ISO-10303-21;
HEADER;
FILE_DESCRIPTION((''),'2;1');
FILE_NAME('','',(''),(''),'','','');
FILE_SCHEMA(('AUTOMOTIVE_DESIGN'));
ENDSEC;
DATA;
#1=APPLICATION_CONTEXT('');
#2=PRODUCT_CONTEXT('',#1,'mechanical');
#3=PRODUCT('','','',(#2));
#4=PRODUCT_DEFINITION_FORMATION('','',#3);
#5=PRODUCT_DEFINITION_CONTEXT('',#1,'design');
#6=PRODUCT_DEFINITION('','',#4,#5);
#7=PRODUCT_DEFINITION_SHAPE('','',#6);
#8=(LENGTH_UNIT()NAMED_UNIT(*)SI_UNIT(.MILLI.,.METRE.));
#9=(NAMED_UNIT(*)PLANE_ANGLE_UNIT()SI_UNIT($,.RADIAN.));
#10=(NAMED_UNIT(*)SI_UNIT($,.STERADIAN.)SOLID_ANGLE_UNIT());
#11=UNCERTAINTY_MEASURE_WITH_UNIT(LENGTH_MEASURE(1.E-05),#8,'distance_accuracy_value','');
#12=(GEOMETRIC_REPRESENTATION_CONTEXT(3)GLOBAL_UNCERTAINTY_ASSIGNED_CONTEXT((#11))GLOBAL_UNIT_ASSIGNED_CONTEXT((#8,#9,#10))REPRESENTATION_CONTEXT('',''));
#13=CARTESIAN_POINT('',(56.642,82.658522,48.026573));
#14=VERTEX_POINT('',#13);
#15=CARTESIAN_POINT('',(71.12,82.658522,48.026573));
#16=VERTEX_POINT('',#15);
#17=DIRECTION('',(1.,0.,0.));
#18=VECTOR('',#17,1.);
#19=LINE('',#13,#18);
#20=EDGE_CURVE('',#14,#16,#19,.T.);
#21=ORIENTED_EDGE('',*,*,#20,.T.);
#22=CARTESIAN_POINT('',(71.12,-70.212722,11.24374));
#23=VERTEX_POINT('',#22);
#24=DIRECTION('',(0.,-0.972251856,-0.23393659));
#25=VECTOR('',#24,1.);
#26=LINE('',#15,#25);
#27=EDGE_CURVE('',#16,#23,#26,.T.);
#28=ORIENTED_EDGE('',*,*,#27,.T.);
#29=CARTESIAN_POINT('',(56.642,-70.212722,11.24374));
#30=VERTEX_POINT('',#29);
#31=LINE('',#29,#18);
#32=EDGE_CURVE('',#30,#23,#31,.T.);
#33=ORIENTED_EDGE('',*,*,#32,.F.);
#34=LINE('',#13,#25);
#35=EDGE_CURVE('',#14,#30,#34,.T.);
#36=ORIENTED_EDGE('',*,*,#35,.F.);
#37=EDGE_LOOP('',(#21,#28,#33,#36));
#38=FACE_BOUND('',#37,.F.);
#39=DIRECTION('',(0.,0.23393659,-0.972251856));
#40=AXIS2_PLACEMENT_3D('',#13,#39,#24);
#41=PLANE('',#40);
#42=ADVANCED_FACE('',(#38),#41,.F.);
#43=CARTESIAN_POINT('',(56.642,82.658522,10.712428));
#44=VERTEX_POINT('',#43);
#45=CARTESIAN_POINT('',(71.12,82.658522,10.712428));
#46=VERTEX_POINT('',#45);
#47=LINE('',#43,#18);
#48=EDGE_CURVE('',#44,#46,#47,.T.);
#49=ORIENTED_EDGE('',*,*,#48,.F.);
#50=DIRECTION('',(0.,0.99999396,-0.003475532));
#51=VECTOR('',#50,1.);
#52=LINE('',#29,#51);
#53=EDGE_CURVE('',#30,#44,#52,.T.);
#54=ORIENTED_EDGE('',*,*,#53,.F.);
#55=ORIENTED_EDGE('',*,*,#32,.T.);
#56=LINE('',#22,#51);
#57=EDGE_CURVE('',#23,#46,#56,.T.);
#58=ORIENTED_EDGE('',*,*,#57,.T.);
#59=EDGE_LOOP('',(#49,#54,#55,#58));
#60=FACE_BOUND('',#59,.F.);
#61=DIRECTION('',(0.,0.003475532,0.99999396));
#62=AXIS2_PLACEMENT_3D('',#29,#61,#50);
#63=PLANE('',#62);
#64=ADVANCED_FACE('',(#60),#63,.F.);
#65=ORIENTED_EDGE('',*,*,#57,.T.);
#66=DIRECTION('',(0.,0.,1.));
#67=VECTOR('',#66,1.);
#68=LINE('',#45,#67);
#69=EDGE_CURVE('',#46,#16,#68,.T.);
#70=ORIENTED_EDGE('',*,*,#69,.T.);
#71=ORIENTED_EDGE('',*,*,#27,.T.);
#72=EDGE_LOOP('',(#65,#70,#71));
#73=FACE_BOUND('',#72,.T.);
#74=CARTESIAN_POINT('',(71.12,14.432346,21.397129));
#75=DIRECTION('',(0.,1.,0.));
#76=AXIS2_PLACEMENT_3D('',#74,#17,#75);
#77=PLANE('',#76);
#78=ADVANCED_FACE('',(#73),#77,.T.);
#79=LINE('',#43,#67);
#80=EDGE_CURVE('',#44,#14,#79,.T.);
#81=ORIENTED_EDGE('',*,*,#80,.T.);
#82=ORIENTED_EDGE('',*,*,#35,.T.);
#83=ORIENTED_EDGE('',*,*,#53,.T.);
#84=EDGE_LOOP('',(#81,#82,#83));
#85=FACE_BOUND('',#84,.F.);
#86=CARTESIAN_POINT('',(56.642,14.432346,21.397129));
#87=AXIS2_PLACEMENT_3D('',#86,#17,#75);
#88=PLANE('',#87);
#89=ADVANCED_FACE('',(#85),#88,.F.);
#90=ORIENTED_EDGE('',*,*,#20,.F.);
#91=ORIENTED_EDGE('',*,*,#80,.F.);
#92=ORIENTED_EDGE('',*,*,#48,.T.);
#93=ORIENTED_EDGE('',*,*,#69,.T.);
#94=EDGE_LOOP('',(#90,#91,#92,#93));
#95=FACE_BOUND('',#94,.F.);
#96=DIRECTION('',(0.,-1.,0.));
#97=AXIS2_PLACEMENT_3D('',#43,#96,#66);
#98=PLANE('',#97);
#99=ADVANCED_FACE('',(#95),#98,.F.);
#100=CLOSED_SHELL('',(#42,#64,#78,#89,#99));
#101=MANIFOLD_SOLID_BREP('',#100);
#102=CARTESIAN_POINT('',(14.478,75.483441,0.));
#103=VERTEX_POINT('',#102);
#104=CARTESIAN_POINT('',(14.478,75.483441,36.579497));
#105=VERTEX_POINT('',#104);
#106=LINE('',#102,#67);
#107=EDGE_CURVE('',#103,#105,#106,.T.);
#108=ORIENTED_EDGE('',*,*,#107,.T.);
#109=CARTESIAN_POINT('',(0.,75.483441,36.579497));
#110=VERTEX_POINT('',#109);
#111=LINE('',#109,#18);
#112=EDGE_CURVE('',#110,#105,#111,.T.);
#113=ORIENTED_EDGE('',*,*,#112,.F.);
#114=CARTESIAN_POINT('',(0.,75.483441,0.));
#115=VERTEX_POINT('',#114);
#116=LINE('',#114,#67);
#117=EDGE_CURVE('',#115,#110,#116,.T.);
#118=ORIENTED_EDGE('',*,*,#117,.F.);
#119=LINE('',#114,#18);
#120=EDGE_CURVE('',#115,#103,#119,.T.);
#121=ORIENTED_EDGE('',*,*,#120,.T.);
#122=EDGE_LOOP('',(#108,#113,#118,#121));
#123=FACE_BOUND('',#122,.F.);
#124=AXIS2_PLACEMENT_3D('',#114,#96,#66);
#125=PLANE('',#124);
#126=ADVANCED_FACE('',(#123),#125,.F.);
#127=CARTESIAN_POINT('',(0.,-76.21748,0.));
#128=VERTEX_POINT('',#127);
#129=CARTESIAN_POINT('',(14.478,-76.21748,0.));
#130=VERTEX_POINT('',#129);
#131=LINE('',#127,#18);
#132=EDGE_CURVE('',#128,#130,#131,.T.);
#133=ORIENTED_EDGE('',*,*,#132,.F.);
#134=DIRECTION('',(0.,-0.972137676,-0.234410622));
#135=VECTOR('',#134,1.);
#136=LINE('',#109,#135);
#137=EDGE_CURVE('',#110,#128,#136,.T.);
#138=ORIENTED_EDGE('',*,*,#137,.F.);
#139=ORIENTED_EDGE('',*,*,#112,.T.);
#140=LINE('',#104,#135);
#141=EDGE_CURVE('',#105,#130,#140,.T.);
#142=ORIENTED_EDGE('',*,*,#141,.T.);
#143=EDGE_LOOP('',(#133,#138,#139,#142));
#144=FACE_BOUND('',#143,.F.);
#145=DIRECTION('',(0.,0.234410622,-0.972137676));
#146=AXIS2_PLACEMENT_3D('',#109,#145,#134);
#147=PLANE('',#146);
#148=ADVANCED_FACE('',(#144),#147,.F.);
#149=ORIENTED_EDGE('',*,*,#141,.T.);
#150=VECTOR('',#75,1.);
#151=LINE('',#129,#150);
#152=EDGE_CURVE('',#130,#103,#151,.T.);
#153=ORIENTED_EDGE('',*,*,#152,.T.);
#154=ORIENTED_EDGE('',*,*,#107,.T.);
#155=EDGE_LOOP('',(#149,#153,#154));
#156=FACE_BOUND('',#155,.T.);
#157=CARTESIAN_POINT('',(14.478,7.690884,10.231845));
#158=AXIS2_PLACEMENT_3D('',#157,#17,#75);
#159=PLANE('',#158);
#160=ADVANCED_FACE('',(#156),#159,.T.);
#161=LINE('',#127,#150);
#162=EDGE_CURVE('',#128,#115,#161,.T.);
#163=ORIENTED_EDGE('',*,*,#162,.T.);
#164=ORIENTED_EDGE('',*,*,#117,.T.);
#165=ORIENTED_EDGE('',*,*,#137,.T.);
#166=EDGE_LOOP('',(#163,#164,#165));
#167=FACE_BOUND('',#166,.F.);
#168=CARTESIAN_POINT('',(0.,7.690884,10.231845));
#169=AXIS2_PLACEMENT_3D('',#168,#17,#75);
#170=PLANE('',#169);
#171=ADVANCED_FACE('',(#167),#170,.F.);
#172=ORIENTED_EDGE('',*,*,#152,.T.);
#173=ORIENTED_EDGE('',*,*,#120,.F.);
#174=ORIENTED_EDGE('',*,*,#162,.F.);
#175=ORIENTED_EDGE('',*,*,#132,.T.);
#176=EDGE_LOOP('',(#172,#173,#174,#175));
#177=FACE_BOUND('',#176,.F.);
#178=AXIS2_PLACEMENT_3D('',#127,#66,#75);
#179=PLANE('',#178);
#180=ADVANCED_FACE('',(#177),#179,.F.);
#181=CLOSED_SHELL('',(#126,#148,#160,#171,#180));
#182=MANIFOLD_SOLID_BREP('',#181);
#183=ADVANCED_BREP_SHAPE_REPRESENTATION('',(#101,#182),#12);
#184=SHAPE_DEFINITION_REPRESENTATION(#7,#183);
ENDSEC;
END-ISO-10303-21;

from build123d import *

# Parameters (mm, degrees)
F3_DEPTH = 14.478


with BuildPart() as f3:
    # F2 (on offset) → F3 (new body)
    with BuildSketch(Plane.YZ.offset(56.642)):
        Polygon((82.658521831, 48.0265729129), (-70.2127218246, 11.2437400967), (82.658521831, 10.7124280185), align=None)
    extrude(amount=F3_DEPTH)


with BuildPart() as f3b:
    # F0 (on Right) → F3, piece 2 (new body)
    with BuildSketch(Plane.YZ):
        Polygon((75.4834413528, 36.5794971585), (-76.2174800038, 0), (75.4834413528, 0), align=None)
    extrude(amount=F3_DEPTH)


solid = Compound([f3.part, f3b.part])
